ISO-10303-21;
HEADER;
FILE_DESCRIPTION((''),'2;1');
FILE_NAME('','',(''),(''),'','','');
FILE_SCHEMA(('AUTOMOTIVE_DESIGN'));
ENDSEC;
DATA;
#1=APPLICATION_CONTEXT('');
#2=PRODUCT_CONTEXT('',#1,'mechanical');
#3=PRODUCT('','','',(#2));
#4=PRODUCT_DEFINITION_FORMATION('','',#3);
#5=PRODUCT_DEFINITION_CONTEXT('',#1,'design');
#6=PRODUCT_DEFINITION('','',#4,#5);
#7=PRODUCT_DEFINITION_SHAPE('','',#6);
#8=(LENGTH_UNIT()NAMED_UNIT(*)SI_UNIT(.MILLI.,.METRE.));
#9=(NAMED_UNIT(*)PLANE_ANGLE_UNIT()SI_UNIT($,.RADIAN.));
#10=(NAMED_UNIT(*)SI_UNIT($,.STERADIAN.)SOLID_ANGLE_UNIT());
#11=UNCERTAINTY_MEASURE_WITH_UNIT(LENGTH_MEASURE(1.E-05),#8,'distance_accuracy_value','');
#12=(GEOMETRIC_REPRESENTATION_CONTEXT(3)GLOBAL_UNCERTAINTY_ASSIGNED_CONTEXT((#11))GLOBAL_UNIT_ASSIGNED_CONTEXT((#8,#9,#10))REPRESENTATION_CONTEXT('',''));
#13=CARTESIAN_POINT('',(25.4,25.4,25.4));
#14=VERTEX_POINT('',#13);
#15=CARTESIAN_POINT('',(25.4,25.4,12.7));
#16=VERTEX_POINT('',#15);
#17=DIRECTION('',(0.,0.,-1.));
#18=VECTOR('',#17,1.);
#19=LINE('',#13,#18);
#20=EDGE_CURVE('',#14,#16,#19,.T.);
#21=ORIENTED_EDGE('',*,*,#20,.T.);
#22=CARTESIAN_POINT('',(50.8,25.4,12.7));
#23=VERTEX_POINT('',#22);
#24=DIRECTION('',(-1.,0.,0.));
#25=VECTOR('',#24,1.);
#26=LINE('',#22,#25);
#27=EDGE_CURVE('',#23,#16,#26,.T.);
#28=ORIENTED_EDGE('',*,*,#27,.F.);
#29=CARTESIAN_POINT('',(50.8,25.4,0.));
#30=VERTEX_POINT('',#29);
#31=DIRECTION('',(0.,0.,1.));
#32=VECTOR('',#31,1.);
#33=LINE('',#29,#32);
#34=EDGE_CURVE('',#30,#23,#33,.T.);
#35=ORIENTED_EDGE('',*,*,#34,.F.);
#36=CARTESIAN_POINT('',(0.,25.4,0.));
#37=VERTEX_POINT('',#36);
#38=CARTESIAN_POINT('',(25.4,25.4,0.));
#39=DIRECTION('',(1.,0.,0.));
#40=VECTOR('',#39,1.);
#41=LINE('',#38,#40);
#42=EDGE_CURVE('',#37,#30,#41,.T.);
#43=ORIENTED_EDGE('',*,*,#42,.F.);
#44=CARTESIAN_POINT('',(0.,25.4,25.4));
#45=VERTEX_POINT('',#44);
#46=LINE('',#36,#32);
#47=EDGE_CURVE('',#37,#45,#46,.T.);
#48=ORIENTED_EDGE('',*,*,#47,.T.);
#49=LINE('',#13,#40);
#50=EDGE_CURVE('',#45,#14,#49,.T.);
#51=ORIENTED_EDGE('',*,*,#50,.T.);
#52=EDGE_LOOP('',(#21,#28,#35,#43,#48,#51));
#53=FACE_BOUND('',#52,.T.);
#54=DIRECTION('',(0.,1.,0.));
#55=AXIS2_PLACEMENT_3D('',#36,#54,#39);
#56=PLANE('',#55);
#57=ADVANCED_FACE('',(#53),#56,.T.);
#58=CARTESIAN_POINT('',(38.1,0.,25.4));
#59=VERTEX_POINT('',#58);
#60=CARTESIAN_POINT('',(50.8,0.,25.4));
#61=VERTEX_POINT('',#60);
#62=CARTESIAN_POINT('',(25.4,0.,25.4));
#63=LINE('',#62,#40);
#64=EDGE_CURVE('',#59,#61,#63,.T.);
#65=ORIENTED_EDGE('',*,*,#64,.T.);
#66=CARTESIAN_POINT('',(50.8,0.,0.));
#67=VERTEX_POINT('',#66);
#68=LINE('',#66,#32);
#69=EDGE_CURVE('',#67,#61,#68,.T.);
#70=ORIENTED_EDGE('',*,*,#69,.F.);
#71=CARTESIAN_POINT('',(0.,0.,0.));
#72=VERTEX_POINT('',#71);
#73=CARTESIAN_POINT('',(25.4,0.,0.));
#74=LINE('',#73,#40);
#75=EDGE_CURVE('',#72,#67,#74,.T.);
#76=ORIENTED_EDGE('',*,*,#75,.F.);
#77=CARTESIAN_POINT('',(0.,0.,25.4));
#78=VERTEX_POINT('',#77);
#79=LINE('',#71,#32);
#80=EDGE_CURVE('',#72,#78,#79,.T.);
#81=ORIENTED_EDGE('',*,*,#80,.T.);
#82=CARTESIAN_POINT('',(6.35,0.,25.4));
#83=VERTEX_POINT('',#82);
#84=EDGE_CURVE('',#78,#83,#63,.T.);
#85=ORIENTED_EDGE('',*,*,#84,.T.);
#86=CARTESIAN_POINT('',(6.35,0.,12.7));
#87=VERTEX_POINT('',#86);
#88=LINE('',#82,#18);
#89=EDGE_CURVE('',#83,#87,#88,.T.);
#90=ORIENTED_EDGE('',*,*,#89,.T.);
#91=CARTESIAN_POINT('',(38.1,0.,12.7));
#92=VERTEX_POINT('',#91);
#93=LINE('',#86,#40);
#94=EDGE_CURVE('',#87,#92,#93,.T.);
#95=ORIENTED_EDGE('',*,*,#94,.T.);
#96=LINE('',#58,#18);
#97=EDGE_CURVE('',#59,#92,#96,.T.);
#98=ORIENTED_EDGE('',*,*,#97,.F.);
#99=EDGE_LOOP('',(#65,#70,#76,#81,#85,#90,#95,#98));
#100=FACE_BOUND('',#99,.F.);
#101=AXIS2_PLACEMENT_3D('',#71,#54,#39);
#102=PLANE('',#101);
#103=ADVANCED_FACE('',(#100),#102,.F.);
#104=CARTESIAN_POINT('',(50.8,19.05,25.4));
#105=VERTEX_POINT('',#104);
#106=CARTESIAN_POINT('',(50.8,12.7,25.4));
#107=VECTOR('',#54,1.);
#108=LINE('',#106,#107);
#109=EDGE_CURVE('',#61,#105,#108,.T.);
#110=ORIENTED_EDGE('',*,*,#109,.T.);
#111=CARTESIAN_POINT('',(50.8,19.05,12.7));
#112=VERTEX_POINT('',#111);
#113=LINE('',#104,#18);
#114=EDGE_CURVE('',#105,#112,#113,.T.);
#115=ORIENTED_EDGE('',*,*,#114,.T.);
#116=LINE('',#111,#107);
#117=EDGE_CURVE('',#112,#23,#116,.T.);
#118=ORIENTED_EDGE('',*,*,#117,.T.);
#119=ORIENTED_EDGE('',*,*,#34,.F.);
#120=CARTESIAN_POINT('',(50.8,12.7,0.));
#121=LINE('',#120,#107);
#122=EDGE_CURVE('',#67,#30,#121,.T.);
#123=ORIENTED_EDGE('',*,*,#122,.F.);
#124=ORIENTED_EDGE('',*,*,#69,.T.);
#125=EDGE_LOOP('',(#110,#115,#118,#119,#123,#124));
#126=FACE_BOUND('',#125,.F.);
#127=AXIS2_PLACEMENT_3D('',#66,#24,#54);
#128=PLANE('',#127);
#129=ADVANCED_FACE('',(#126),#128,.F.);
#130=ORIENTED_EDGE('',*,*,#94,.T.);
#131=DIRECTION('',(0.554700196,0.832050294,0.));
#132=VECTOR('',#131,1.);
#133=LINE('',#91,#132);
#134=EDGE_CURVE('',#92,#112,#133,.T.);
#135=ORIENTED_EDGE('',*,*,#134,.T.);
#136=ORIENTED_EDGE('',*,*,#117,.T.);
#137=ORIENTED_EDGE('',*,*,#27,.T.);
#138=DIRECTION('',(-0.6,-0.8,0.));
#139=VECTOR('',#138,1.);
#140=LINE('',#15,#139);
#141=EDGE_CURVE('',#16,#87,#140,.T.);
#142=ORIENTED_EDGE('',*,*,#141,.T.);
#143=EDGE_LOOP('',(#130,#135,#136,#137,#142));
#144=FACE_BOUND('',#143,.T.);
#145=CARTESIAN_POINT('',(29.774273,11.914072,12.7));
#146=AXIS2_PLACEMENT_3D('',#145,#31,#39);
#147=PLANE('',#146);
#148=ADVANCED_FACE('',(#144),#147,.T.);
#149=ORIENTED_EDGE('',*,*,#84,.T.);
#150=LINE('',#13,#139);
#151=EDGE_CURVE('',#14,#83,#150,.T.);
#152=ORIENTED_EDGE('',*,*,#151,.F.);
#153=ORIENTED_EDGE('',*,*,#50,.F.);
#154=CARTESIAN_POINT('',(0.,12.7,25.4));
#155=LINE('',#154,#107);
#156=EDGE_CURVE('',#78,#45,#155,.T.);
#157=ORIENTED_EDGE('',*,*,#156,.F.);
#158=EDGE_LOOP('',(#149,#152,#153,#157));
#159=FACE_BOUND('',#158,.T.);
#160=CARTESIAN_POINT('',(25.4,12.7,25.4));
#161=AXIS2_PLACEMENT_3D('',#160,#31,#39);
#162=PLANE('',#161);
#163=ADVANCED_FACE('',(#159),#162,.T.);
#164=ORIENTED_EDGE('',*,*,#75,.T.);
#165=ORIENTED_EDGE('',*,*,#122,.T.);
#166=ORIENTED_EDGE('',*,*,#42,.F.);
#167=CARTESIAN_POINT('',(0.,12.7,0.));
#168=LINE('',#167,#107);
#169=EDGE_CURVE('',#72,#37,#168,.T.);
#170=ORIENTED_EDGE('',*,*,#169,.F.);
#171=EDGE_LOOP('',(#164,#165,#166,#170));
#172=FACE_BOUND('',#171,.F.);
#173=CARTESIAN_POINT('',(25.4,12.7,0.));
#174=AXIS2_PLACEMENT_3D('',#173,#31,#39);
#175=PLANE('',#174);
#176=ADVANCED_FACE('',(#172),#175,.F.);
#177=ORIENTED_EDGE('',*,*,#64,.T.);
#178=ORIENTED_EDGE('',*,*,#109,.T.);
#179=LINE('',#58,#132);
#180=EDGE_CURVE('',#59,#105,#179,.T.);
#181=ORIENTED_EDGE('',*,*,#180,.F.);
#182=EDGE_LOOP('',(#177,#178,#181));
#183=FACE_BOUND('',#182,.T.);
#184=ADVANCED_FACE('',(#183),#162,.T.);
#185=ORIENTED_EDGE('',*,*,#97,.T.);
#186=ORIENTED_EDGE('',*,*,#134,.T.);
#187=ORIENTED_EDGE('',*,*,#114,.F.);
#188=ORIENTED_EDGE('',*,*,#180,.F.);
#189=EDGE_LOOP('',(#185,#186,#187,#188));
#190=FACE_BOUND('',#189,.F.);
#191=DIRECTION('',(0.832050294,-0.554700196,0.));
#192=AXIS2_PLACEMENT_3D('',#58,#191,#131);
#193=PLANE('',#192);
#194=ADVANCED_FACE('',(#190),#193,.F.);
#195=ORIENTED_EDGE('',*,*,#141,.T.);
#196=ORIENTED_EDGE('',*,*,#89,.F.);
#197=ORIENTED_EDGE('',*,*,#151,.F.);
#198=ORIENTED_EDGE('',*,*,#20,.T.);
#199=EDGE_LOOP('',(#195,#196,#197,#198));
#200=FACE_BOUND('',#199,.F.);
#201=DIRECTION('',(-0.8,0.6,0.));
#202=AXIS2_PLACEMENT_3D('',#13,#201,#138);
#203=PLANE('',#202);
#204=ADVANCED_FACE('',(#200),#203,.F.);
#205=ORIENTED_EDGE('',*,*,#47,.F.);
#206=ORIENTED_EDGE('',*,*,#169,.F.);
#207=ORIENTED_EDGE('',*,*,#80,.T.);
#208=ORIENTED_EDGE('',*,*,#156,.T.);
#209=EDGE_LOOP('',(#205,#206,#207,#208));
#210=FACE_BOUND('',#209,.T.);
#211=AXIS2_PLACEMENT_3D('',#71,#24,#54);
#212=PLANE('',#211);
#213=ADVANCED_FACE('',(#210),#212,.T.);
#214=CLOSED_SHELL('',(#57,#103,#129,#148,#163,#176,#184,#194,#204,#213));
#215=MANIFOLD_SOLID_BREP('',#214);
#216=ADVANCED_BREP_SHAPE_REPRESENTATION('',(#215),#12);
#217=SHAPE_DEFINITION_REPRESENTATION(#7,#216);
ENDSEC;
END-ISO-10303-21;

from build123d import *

# Parameters (mm, degrees)
F0_W     = 50.8
F0_H     = 25.4
F1_DEPTH = 25.4
F3_DEPTH = 12.7


with BuildPart() as f1:
    # F0 (on Top) → F1 (new body)
    with BuildSketch(Plane.XY):
        with Locations((25.4, 12.7)):
            Rectangle(F0_W, F0_H)
    extrude(amount=F1_DEPTH)

    # F2 (on face) → F3 (cut)
    with BuildSketch(Plane.XY.offset(25.4)):
        Polygon((25.4, 25.4), (6.35, 0), (38.1, 0), (50.8, 19.05), (50.8, 25.4), align=None)
    extrude(amount=-F3_DEPTH, mode=Mode.SUBTRACT)


solid = f1.part
